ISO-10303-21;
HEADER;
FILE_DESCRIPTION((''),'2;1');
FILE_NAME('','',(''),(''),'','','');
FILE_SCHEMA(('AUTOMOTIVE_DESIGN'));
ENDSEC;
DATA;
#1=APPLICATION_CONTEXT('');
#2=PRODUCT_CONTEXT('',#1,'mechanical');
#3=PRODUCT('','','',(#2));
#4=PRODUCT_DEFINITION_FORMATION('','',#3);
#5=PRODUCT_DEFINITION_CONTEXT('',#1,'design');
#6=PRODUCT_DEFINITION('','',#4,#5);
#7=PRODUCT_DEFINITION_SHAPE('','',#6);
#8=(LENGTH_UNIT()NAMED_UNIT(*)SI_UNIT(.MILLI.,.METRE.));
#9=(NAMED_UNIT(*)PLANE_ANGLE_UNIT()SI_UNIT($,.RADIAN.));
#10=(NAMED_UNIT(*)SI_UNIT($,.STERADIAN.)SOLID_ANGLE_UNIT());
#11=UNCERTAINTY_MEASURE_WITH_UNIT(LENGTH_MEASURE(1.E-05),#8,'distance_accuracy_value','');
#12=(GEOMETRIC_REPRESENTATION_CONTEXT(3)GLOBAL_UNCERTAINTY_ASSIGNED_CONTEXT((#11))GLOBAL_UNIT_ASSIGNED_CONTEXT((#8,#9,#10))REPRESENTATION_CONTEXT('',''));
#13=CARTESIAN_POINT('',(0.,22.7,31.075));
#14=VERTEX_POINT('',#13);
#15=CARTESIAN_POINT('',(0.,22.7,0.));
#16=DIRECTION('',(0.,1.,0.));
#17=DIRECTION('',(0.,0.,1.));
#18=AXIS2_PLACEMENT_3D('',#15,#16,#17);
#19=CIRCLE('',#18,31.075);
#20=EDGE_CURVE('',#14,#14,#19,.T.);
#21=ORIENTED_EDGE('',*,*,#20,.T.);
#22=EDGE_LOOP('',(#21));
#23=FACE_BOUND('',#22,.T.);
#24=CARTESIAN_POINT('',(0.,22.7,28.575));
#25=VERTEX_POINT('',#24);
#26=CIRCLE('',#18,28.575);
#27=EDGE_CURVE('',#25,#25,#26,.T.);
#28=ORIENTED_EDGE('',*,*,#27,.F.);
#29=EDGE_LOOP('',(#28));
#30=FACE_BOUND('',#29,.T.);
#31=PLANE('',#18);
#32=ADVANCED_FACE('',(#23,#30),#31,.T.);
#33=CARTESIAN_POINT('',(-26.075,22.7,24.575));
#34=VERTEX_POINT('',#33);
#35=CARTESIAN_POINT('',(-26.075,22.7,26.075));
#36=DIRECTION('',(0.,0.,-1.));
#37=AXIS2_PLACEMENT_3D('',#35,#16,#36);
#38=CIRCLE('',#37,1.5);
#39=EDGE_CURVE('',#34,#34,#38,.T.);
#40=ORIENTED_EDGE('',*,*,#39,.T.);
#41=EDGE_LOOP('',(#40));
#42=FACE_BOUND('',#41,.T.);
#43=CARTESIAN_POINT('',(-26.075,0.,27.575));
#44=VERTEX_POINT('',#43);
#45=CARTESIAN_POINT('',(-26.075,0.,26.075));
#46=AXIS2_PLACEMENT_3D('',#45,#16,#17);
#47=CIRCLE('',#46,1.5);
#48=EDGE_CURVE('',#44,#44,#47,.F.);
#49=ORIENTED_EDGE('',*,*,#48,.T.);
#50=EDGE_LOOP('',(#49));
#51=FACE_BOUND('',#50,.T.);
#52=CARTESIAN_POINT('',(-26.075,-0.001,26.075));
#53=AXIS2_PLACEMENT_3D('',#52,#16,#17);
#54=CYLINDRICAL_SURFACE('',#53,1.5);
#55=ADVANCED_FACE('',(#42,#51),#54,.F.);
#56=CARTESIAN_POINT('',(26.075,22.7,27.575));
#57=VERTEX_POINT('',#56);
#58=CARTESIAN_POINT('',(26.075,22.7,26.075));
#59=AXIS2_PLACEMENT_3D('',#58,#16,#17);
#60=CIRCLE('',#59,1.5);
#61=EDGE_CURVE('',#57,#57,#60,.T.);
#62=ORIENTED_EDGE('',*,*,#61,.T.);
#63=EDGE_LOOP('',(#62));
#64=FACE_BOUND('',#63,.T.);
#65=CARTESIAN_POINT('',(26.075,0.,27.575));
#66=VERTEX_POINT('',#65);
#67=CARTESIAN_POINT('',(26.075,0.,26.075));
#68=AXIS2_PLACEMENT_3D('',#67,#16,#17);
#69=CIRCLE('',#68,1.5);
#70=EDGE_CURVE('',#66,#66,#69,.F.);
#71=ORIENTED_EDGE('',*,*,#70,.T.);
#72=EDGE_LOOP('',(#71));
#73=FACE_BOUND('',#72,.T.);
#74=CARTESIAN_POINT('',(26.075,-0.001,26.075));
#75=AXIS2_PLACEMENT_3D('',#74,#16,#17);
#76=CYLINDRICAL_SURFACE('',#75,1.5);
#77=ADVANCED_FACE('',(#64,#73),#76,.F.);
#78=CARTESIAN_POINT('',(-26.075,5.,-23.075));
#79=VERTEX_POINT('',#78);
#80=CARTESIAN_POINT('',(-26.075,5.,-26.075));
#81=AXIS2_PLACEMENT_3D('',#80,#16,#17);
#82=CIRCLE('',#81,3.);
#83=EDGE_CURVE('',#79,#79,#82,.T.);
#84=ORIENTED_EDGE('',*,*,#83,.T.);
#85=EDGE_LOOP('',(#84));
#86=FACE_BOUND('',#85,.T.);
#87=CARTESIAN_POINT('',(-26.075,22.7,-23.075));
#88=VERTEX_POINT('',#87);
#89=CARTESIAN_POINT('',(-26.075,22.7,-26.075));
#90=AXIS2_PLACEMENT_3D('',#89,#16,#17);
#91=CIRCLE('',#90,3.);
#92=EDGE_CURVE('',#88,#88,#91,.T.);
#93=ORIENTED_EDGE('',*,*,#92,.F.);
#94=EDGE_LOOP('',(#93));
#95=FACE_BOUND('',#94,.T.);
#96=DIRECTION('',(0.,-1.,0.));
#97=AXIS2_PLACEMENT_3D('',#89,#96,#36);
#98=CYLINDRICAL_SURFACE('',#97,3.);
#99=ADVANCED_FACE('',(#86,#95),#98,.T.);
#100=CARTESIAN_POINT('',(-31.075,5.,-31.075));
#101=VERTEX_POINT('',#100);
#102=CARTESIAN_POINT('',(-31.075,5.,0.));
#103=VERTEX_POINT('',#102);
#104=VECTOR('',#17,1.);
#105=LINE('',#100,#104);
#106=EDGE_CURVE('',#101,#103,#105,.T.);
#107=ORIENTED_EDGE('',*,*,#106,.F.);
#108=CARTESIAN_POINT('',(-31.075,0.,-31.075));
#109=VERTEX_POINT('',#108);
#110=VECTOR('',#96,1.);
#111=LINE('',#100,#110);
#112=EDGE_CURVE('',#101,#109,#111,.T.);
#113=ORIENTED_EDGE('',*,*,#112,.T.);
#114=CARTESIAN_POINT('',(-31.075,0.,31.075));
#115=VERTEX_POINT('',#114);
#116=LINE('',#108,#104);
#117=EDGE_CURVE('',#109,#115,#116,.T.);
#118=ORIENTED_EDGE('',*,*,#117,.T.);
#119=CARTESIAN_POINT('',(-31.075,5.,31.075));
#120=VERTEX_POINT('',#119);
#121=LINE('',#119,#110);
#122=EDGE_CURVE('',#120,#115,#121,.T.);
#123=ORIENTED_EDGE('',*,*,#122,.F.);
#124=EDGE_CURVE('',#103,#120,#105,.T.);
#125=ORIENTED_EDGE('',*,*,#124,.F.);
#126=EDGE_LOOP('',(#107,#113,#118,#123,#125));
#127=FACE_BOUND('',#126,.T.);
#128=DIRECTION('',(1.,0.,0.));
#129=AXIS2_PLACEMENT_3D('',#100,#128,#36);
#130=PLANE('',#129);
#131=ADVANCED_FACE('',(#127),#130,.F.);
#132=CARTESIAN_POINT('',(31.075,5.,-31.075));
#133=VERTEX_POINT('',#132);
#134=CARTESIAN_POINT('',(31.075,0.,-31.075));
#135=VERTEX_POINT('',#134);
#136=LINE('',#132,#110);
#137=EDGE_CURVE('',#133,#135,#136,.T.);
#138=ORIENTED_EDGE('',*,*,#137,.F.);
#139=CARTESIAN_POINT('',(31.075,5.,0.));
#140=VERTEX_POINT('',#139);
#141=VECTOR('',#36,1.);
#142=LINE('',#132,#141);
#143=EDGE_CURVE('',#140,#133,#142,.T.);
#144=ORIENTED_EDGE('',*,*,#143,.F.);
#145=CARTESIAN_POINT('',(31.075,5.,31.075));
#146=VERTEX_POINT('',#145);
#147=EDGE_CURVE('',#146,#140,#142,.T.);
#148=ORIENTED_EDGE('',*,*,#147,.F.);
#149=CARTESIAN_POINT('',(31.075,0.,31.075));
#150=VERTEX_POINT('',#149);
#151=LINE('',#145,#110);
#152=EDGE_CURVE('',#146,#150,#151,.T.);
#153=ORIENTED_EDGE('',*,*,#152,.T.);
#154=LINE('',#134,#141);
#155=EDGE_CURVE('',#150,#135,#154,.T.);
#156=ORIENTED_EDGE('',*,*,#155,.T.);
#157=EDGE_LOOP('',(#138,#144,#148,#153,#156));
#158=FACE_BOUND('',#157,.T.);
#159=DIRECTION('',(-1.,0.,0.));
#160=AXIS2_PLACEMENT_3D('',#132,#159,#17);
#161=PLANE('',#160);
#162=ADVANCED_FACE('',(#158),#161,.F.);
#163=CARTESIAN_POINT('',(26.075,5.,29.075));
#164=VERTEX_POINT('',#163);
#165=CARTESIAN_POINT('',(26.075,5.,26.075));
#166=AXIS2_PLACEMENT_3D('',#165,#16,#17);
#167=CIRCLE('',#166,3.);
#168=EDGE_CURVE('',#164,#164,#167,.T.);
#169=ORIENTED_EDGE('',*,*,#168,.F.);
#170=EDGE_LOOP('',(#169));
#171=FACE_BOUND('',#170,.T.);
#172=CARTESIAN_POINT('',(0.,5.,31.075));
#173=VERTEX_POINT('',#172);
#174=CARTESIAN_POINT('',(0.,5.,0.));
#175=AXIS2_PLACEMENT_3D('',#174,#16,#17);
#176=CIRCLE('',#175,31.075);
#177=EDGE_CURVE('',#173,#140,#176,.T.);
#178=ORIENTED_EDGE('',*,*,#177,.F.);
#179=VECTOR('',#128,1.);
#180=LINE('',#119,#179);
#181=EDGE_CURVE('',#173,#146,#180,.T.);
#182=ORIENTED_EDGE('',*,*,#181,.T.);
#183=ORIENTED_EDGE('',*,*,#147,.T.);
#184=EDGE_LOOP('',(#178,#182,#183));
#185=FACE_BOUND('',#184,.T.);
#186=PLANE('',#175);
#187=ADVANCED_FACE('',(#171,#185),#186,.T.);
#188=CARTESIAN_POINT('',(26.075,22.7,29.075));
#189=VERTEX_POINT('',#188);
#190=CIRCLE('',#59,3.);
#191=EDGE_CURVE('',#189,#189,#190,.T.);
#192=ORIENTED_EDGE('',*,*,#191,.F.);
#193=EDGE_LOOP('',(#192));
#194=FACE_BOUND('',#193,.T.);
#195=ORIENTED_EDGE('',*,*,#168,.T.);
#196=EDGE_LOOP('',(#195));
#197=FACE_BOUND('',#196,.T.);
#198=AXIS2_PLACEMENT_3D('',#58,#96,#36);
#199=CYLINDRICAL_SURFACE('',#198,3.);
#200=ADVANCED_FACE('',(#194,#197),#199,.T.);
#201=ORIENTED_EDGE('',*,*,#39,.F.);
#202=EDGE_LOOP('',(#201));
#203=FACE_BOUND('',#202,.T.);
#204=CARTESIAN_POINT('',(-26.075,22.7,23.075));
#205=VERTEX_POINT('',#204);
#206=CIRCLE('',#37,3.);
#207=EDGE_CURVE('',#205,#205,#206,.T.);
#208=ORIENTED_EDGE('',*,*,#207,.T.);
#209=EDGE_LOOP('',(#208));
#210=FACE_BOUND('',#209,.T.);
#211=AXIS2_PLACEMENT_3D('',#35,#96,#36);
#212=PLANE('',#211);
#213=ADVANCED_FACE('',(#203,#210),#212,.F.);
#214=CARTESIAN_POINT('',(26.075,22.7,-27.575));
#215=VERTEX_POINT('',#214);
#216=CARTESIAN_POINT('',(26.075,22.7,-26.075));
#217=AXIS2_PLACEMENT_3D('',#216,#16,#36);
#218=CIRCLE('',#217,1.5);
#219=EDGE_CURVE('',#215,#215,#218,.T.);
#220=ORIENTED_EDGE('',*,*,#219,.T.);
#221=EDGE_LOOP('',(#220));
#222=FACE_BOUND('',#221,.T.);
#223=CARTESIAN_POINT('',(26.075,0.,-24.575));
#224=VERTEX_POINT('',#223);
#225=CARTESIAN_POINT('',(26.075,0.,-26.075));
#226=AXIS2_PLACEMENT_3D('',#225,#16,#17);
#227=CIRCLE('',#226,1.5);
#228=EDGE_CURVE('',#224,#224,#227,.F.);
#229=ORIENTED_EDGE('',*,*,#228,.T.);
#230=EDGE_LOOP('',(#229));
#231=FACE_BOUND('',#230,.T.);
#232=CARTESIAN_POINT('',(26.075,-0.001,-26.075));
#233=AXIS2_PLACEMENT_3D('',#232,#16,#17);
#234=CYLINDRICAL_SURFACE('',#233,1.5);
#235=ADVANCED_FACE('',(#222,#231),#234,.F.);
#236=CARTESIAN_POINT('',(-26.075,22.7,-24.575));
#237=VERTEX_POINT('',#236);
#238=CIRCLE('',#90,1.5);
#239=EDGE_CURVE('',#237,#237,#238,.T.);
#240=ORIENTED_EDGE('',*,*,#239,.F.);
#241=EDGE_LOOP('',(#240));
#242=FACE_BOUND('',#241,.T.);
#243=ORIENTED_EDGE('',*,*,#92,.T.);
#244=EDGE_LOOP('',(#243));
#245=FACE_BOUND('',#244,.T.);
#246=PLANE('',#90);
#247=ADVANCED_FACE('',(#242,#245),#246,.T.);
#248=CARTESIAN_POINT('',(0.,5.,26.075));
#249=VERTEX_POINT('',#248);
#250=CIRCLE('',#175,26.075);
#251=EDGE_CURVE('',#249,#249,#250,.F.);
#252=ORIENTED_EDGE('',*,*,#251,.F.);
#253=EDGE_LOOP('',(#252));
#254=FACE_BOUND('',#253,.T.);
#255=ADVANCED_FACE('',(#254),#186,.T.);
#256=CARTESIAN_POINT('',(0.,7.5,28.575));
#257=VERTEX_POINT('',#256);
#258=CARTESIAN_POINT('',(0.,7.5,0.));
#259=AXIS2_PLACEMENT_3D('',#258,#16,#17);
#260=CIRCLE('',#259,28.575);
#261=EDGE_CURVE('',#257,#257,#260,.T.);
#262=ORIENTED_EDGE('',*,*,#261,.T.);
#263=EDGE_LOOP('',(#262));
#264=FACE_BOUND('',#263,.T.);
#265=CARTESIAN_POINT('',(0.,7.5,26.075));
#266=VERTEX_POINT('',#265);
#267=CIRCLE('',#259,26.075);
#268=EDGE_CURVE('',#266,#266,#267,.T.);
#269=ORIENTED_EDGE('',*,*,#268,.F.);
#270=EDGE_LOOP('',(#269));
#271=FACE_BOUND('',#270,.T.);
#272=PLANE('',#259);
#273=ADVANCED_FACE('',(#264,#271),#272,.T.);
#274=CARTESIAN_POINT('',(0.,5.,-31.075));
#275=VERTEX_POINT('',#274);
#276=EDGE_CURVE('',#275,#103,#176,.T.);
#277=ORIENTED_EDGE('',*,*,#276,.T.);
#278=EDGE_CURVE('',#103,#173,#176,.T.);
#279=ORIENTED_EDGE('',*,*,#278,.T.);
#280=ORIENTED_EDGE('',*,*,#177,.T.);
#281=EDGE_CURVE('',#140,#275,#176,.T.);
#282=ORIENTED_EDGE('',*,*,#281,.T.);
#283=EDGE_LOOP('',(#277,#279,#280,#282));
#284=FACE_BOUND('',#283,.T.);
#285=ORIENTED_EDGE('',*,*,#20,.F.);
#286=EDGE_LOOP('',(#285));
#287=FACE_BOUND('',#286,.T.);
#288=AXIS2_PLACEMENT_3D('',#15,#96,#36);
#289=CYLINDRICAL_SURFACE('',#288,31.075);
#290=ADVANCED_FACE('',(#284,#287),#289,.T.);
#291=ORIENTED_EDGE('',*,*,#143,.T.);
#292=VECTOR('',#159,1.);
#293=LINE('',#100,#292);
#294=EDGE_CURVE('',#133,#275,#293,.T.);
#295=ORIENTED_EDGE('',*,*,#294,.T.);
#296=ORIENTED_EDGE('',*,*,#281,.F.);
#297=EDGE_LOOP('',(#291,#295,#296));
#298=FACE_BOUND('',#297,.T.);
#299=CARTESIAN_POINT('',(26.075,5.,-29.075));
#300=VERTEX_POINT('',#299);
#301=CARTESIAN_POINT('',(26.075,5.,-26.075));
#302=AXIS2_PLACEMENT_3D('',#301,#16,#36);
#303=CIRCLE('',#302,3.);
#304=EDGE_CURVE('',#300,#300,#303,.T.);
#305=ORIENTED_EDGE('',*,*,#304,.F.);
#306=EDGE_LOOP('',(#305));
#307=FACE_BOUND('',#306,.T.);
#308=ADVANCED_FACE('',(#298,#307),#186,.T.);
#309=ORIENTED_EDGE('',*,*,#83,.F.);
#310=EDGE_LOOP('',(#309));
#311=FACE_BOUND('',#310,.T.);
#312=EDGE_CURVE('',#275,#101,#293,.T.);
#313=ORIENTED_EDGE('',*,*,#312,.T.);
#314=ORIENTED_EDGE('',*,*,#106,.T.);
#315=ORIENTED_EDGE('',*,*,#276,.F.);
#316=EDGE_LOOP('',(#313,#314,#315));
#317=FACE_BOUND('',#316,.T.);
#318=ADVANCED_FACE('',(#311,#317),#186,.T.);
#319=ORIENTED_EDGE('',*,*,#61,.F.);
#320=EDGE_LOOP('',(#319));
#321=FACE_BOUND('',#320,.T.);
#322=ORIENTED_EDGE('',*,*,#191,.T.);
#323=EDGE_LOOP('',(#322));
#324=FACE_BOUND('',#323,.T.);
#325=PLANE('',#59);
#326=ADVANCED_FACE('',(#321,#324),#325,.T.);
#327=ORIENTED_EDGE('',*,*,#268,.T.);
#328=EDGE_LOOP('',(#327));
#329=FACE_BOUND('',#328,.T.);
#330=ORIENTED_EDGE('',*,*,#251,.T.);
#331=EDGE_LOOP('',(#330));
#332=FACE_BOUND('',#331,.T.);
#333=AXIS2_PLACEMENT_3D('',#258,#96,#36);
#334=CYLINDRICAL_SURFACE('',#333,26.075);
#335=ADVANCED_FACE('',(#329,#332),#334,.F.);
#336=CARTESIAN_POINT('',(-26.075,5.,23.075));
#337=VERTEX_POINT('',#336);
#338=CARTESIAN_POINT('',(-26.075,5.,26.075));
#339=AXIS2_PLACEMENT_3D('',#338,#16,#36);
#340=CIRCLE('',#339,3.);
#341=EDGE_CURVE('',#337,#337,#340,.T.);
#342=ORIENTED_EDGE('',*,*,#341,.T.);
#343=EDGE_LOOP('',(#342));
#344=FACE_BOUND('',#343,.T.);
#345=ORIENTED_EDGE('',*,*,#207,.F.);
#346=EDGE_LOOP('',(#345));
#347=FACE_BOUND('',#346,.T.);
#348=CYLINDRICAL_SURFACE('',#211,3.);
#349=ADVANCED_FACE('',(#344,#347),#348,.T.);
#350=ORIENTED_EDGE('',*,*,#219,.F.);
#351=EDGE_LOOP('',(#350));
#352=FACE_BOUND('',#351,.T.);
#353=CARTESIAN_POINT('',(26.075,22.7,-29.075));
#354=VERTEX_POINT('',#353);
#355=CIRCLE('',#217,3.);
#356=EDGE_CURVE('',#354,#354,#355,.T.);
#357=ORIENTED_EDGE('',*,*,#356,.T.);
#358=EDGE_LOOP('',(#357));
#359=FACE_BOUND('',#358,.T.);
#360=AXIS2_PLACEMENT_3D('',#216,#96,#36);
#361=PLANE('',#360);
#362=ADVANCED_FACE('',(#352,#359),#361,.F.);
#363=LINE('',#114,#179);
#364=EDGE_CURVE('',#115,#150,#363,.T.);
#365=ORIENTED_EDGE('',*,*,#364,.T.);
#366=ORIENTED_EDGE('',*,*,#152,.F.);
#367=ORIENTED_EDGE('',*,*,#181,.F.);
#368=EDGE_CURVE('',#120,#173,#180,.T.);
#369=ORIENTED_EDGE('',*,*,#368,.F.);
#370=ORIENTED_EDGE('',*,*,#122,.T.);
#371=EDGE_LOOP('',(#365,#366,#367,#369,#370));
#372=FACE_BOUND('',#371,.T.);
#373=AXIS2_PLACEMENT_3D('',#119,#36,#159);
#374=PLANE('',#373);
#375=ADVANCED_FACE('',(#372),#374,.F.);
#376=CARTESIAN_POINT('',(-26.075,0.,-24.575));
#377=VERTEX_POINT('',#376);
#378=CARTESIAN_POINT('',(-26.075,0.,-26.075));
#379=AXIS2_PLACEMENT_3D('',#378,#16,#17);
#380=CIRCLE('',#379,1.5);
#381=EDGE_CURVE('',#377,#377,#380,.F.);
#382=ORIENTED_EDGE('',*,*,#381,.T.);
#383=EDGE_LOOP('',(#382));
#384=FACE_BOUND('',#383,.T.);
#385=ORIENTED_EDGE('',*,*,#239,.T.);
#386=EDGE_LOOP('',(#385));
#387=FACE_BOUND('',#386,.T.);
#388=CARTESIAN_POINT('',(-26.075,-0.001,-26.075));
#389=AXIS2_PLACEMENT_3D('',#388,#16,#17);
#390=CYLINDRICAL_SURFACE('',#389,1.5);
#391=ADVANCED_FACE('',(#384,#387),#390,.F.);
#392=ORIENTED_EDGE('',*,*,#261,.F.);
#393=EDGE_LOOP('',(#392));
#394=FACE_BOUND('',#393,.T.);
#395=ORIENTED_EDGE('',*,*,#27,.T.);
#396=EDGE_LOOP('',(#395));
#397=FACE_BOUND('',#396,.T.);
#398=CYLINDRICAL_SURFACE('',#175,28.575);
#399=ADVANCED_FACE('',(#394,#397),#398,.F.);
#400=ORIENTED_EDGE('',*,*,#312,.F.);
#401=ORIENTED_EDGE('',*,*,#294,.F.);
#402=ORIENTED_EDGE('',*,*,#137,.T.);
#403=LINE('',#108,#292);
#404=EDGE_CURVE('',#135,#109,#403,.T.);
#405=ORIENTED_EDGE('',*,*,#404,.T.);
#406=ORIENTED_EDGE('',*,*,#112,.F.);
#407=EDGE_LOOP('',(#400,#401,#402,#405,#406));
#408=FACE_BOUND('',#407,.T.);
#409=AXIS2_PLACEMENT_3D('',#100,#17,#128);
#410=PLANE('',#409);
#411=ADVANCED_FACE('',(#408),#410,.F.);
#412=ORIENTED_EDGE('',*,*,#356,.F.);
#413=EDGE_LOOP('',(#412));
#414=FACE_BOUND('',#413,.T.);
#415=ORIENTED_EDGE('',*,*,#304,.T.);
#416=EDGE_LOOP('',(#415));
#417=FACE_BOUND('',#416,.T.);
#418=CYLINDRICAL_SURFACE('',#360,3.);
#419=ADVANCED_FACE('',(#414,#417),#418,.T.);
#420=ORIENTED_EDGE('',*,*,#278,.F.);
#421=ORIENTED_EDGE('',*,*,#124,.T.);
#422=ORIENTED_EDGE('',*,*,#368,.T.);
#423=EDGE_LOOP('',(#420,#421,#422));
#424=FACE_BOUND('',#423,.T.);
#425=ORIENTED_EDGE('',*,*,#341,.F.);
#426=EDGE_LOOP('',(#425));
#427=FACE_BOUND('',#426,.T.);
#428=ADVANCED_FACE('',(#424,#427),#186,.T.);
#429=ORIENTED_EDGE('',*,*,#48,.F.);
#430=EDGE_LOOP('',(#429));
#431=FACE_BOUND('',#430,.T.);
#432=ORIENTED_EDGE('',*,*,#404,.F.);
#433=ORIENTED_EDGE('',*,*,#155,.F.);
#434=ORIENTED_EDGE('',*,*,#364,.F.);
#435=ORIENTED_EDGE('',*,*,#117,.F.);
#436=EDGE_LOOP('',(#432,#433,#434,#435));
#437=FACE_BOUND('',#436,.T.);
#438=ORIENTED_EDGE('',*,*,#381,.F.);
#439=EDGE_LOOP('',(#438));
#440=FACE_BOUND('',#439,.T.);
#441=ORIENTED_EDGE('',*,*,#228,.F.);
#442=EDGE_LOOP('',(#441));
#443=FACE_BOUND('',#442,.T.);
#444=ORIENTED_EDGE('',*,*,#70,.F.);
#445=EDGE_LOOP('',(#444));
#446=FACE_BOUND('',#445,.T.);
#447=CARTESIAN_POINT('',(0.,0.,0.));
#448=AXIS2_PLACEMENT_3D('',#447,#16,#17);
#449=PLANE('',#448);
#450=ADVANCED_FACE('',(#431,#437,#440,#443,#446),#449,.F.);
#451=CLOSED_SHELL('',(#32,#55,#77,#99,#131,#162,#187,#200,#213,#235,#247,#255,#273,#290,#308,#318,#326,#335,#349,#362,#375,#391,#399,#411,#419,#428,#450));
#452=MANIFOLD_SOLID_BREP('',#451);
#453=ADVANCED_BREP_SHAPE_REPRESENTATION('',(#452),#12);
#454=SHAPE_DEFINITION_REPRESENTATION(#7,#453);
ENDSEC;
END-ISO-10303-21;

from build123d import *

# Parameters (mm, degrees)
SKETCH1_W           = 62.15
SKETCH1_H           = 62.15
BOSS_EXTRUDE1_DEPTH = 5
SKETCH3_R           = 31.075
BOSS_EXTRUDE2_DEPTH = 17.7
SKETCH4_R           = 28.575
CUT_EXTRUDE2_DEPTH  = 17.7
BOSS_EXTRUDE3_START = 2.5
SKETCH5_R           = 28.575
SKETCH5_R_2         = 26.075
BOSS_EXTRUDE3_DEPTH = 2.5
CUT_EXTRUDE4_REACH  = 49.377
SKETCH8_R           = 1.5
BOSS_EXTRUDE5_START = 17.7
SKETCH9_R           = 3
SKETCH9_R_2         = 1.5
BOSS_EXTRUDE5_DEPTH = 17.7


with BuildPart() as part:
    # Sketch1 → Boss-Extrude1 (new body)
    with BuildSketch(Plane(origin=(0, 0, 0), x_dir=(1, 0, 0), z_dir=(0, 1, 0))):
        Rectangle(SKETCH1_W, SKETCH1_H)
    extrude(amount=BOSS_EXTRUDE1_DEPTH)

    # Sketch3 → Boss-Extrude2 (add)
    with BuildSketch(Plane(origin=(0, 5, 0), x_dir=(1, 0, 0), z_dir=(0, 1, 0))):
        with Locations(Location((0, 0, 0), (0, 0, 270))):
            Circle(SKETCH3_R)
    extrude(amount=BOSS_EXTRUDE2_DEPTH)

    # Sketch4 → Cut-Extrude2 (cut)
    with BuildSketch(Plane(origin=(0, 22.7, 0), x_dir=(1, 0, 0), z_dir=(0, 1, 0))):
        with Locations(Location((0, 0, 0), (0, 0, 270))):
            Circle(SKETCH4_R)
    extrude(amount=-CUT_EXTRUDE2_DEPTH, mode=Mode.SUBTRACT)

    # Sketch5 → Boss-Extrude3 (add)
    with BuildSketch(Plane(origin=(0, 5, 0), x_dir=(1, 0, 0), z_dir=(0, 1, 0)).offset(BOSS_EXTRUDE3_START)):
        with Locations(Location((0, 0, 0), (0, 0, 270))):
            Circle(SKETCH5_R)
        with Locations(Location((0, 0, 0), (0, 0, 270))):
            Circle(SKETCH5_R_2, mode=Mode.SUBTRACT)
    extrude(amount=-BOSS_EXTRUDE3_DEPTH)

    # Sketch8 → Cut-Extrude4 (cut, up to next)
    with BuildSketch(Plane(origin=(0, 5, 0), x_dir=(1, 0, 0), z_dir=(0, 1, 0)), mode=Mode.PRIVATE) as cut_extrude4_sk1:
        with Locations(Location((-26.075, 26.075, 0), (0, 0, 270))):
            Circle(SKETCH8_R)
    cut_extrude4_tool1 = extrude(cut_extrude4_sk1.sketch, amount=-CUT_EXTRUDE4_REACH, mode=Mode.PRIVATE) & part.part
    # Sketch8 → Cut-Extrude4 (cut, up to next)
    with BuildSketch(Plane(origin=(0, 5, 0), x_dir=(1, 0, 0), z_dir=(0, 1, 0)), mode=Mode.PRIVATE) as cut_extrude4_sk2:
        with Locations(Location((-26.075, -26.075, 0), (0, 0, 270))):
            Circle(SKETCH8_R)
    cut_extrude4_tool2 = extrude(cut_extrude4_sk2.sketch, amount=-CUT_EXTRUDE4_REACH, mode=Mode.PRIVATE) & part.part
    # Sketch8 → Cut-Extrude4 (cut, up to next)
    with BuildSketch(Plane(origin=(0, 5, 0), x_dir=(1, 0, 0), z_dir=(0, 1, 0)), mode=Mode.PRIVATE) as cut_extrude4_sk3:
        with Locations(Location((26.075, -26.075, 0), (0, 0, 270))):
            Circle(SKETCH8_R)
    cut_extrude4_tool3 = extrude(cut_extrude4_sk3.sketch, amount=-CUT_EXTRUDE4_REACH, mode=Mode.PRIVATE) & part.part
    # Sketch8 → Cut-Extrude4 (cut, up to next)
    with BuildSketch(Plane(origin=(0, 5, 0), x_dir=(1, 0, 0), z_dir=(0, 1, 0)), mode=Mode.PRIVATE) as cut_extrude4_sk4:
        with Locations(Location((26.075, 26.075, 0), (0, 0, 270))):
            Circle(SKETCH8_R)
    cut_extrude4_tool4 = extrude(cut_extrude4_sk4.sketch, amount=-CUT_EXTRUDE4_REACH, mode=Mode.PRIVATE) & part.part
    add(cut_extrude4_tool1.solids().sort_by_distance((-26.075, 5, -26.075))[0], mode=Mode.SUBTRACT)
    add(cut_extrude4_tool2.solids().sort_by_distance((-26.075, 5, 26.075))[0], mode=Mode.SUBTRACT)
    add(cut_extrude4_tool3.solids().sort_by_distance((26.075, 5, 26.075))[0], mode=Mode.SUBTRACT)
    add(cut_extrude4_tool4.solids().sort_by_distance((26.075, 5, -26.075))[0], mode=Mode.SUBTRACT)

    # Sketch9 → Boss-Extrude5 (add)
    # profile 1 of 4: a face of its own
    with BuildSketch(Plane(origin=(0, 5, 0), x_dir=(1, 0, 0), z_dir=(0, 1, 0)).offset(BOSS_EXTRUDE5_START)):
        with Locations(Location((-26.075, 26.075, 0), (0, 0, 270))):
            Circle(SKETCH9_R)
        with Locations(Location((-26.075, 26.075, 0), (0, 0, 270))):
            Circle(SKETCH9_R_2, mode=Mode.SUBTRACT)
    # profile 2 of 4: a face of its own
    with BuildSketch(Plane(origin=(0, 5, 0), x_dir=(1, 0, 0), z_dir=(0, 1, 0)).offset(BOSS_EXTRUDE5_START)):
        with Locations(Location((-26.075, -26.075, 0), (0, 0, 90))):
            Circle(SKETCH9_R)
        with Locations(Location((-26.075, -26.075, 0), (0, 0, 270))):
            Circle(SKETCH9_R_2, mode=Mode.SUBTRACT)
    # profile 3 of 4: a face of its own
    with BuildSketch(Plane(origin=(0, 5, 0), x_dir=(1, 0, 0), z_dir=(0, 1, 0)).offset(BOSS_EXTRUDE5_START)):
        with Locations(Location((26.075, -26.075, 0), (0, 0, 270))):
            Circle(SKETCH9_R)
        with Locations(Location((26.075, -26.075, 0), (0, 0, 270))):
            Circle(SKETCH9_R_2, mode=Mode.SUBTRACT)
    # profile 4 of 4: a face of its own
    with BuildSketch(Plane(origin=(0, 5, 0), x_dir=(1, 0, 0), z_dir=(0, 1, 0)).offset(BOSS_EXTRUDE5_START)):
        with Locations(Location((26.075, 26.075, 0), (0, 0, 90))):
            Circle(SKETCH9_R)
        with Locations(Location((26.075, 26.075, 0), (0, 0, 270))):
            Circle(SKETCH9_R_2, mode=Mode.SUBTRACT)
    extrude(amount=-BOSS_EXTRUDE5_DEPTH)


solid = part.part
